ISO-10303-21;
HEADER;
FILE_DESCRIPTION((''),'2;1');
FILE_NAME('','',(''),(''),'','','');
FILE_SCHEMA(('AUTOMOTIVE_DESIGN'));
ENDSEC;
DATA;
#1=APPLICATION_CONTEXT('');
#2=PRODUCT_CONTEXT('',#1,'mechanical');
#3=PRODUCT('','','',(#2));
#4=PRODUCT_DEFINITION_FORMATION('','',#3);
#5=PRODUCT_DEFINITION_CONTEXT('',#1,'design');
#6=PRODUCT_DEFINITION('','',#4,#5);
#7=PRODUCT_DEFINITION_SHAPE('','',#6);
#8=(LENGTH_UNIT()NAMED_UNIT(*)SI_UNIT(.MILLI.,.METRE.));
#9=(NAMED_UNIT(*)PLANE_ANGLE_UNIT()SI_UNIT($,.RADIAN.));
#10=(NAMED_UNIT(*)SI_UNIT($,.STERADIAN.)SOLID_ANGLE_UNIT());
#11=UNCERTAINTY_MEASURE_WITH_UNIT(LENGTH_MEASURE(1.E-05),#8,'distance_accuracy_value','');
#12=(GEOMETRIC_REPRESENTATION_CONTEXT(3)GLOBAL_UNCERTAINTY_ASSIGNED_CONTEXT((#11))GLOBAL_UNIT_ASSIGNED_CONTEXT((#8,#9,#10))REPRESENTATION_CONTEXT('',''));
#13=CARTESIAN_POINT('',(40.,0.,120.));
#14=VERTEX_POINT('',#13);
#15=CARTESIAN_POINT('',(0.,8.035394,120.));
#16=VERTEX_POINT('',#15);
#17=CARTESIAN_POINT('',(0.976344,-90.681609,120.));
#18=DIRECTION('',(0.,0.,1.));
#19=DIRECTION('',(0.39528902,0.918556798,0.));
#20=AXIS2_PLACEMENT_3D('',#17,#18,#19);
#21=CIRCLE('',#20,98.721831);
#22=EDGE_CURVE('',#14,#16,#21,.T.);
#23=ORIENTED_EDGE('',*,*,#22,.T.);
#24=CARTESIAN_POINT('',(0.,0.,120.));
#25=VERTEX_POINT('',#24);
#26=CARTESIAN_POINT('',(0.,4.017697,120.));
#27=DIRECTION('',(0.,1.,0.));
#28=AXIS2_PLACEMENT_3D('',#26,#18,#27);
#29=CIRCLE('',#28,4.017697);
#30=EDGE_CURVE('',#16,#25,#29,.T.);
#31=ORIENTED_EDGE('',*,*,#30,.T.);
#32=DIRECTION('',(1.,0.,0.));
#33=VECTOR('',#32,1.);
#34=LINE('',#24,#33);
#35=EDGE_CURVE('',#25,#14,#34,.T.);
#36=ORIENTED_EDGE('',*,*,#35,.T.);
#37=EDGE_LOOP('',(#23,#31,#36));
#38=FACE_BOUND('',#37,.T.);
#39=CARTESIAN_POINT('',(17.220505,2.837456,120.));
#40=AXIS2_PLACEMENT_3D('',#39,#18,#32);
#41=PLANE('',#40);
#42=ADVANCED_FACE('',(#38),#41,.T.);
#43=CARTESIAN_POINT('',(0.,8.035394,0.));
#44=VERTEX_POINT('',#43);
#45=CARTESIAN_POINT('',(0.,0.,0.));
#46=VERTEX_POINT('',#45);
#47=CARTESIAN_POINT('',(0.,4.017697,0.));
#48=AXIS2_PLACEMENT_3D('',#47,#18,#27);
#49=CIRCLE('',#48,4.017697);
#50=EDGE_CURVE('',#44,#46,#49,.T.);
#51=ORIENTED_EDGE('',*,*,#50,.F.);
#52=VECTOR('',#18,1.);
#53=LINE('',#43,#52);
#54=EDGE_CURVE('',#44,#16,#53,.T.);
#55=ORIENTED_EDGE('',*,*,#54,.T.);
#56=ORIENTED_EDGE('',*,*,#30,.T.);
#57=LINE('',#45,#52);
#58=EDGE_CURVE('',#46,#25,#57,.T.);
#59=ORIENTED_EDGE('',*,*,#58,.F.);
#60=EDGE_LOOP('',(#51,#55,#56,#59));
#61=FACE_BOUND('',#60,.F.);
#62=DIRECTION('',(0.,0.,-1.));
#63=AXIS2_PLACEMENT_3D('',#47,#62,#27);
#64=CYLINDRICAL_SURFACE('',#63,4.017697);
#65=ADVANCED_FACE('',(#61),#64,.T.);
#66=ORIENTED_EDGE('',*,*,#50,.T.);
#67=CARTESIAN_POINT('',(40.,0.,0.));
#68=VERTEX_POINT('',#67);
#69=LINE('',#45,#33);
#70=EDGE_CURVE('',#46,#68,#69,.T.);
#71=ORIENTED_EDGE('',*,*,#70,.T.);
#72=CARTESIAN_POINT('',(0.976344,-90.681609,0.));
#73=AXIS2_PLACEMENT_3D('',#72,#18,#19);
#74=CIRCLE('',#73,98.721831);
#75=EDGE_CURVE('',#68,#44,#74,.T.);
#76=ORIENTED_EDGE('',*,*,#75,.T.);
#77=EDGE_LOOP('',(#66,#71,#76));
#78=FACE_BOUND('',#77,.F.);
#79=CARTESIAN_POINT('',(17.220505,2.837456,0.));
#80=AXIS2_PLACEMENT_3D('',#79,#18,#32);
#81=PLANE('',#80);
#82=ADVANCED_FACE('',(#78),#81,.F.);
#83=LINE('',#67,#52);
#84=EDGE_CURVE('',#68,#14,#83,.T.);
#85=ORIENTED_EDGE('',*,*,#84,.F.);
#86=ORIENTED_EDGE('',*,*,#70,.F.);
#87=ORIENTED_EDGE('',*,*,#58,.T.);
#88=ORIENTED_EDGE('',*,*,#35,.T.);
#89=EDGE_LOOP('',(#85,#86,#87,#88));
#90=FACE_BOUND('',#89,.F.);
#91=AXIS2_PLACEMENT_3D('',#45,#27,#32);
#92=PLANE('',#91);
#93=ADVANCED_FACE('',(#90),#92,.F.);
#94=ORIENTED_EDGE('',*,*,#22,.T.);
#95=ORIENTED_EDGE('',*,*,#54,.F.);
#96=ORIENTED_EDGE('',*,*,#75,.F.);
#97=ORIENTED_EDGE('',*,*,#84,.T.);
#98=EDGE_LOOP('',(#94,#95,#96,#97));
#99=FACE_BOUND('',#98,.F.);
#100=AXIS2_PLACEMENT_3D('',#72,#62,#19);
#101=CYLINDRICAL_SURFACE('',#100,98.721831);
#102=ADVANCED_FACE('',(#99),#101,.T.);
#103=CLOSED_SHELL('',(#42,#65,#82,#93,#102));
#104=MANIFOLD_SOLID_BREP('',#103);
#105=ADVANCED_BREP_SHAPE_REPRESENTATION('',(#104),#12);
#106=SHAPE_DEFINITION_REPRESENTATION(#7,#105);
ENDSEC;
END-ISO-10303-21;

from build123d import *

# Parameters (mm, degrees)
F1_DEPTH = 120


with BuildPart() as f1:
    # F0 (on Top) → F1 (new body)
    with BuildSketch(Plane.XY):
        with BuildLine():
            ThreePointArc((0, 8.035394), (-4.017697, 4.017697), (0, 0))
            Line((0, 0), (40, 0))
            ThreePointArc((40, 0), (20.41963, 6.106606), (0, 8.035394))
        make_face()
    extrude(amount=F1_DEPTH)


solid = f1.part
